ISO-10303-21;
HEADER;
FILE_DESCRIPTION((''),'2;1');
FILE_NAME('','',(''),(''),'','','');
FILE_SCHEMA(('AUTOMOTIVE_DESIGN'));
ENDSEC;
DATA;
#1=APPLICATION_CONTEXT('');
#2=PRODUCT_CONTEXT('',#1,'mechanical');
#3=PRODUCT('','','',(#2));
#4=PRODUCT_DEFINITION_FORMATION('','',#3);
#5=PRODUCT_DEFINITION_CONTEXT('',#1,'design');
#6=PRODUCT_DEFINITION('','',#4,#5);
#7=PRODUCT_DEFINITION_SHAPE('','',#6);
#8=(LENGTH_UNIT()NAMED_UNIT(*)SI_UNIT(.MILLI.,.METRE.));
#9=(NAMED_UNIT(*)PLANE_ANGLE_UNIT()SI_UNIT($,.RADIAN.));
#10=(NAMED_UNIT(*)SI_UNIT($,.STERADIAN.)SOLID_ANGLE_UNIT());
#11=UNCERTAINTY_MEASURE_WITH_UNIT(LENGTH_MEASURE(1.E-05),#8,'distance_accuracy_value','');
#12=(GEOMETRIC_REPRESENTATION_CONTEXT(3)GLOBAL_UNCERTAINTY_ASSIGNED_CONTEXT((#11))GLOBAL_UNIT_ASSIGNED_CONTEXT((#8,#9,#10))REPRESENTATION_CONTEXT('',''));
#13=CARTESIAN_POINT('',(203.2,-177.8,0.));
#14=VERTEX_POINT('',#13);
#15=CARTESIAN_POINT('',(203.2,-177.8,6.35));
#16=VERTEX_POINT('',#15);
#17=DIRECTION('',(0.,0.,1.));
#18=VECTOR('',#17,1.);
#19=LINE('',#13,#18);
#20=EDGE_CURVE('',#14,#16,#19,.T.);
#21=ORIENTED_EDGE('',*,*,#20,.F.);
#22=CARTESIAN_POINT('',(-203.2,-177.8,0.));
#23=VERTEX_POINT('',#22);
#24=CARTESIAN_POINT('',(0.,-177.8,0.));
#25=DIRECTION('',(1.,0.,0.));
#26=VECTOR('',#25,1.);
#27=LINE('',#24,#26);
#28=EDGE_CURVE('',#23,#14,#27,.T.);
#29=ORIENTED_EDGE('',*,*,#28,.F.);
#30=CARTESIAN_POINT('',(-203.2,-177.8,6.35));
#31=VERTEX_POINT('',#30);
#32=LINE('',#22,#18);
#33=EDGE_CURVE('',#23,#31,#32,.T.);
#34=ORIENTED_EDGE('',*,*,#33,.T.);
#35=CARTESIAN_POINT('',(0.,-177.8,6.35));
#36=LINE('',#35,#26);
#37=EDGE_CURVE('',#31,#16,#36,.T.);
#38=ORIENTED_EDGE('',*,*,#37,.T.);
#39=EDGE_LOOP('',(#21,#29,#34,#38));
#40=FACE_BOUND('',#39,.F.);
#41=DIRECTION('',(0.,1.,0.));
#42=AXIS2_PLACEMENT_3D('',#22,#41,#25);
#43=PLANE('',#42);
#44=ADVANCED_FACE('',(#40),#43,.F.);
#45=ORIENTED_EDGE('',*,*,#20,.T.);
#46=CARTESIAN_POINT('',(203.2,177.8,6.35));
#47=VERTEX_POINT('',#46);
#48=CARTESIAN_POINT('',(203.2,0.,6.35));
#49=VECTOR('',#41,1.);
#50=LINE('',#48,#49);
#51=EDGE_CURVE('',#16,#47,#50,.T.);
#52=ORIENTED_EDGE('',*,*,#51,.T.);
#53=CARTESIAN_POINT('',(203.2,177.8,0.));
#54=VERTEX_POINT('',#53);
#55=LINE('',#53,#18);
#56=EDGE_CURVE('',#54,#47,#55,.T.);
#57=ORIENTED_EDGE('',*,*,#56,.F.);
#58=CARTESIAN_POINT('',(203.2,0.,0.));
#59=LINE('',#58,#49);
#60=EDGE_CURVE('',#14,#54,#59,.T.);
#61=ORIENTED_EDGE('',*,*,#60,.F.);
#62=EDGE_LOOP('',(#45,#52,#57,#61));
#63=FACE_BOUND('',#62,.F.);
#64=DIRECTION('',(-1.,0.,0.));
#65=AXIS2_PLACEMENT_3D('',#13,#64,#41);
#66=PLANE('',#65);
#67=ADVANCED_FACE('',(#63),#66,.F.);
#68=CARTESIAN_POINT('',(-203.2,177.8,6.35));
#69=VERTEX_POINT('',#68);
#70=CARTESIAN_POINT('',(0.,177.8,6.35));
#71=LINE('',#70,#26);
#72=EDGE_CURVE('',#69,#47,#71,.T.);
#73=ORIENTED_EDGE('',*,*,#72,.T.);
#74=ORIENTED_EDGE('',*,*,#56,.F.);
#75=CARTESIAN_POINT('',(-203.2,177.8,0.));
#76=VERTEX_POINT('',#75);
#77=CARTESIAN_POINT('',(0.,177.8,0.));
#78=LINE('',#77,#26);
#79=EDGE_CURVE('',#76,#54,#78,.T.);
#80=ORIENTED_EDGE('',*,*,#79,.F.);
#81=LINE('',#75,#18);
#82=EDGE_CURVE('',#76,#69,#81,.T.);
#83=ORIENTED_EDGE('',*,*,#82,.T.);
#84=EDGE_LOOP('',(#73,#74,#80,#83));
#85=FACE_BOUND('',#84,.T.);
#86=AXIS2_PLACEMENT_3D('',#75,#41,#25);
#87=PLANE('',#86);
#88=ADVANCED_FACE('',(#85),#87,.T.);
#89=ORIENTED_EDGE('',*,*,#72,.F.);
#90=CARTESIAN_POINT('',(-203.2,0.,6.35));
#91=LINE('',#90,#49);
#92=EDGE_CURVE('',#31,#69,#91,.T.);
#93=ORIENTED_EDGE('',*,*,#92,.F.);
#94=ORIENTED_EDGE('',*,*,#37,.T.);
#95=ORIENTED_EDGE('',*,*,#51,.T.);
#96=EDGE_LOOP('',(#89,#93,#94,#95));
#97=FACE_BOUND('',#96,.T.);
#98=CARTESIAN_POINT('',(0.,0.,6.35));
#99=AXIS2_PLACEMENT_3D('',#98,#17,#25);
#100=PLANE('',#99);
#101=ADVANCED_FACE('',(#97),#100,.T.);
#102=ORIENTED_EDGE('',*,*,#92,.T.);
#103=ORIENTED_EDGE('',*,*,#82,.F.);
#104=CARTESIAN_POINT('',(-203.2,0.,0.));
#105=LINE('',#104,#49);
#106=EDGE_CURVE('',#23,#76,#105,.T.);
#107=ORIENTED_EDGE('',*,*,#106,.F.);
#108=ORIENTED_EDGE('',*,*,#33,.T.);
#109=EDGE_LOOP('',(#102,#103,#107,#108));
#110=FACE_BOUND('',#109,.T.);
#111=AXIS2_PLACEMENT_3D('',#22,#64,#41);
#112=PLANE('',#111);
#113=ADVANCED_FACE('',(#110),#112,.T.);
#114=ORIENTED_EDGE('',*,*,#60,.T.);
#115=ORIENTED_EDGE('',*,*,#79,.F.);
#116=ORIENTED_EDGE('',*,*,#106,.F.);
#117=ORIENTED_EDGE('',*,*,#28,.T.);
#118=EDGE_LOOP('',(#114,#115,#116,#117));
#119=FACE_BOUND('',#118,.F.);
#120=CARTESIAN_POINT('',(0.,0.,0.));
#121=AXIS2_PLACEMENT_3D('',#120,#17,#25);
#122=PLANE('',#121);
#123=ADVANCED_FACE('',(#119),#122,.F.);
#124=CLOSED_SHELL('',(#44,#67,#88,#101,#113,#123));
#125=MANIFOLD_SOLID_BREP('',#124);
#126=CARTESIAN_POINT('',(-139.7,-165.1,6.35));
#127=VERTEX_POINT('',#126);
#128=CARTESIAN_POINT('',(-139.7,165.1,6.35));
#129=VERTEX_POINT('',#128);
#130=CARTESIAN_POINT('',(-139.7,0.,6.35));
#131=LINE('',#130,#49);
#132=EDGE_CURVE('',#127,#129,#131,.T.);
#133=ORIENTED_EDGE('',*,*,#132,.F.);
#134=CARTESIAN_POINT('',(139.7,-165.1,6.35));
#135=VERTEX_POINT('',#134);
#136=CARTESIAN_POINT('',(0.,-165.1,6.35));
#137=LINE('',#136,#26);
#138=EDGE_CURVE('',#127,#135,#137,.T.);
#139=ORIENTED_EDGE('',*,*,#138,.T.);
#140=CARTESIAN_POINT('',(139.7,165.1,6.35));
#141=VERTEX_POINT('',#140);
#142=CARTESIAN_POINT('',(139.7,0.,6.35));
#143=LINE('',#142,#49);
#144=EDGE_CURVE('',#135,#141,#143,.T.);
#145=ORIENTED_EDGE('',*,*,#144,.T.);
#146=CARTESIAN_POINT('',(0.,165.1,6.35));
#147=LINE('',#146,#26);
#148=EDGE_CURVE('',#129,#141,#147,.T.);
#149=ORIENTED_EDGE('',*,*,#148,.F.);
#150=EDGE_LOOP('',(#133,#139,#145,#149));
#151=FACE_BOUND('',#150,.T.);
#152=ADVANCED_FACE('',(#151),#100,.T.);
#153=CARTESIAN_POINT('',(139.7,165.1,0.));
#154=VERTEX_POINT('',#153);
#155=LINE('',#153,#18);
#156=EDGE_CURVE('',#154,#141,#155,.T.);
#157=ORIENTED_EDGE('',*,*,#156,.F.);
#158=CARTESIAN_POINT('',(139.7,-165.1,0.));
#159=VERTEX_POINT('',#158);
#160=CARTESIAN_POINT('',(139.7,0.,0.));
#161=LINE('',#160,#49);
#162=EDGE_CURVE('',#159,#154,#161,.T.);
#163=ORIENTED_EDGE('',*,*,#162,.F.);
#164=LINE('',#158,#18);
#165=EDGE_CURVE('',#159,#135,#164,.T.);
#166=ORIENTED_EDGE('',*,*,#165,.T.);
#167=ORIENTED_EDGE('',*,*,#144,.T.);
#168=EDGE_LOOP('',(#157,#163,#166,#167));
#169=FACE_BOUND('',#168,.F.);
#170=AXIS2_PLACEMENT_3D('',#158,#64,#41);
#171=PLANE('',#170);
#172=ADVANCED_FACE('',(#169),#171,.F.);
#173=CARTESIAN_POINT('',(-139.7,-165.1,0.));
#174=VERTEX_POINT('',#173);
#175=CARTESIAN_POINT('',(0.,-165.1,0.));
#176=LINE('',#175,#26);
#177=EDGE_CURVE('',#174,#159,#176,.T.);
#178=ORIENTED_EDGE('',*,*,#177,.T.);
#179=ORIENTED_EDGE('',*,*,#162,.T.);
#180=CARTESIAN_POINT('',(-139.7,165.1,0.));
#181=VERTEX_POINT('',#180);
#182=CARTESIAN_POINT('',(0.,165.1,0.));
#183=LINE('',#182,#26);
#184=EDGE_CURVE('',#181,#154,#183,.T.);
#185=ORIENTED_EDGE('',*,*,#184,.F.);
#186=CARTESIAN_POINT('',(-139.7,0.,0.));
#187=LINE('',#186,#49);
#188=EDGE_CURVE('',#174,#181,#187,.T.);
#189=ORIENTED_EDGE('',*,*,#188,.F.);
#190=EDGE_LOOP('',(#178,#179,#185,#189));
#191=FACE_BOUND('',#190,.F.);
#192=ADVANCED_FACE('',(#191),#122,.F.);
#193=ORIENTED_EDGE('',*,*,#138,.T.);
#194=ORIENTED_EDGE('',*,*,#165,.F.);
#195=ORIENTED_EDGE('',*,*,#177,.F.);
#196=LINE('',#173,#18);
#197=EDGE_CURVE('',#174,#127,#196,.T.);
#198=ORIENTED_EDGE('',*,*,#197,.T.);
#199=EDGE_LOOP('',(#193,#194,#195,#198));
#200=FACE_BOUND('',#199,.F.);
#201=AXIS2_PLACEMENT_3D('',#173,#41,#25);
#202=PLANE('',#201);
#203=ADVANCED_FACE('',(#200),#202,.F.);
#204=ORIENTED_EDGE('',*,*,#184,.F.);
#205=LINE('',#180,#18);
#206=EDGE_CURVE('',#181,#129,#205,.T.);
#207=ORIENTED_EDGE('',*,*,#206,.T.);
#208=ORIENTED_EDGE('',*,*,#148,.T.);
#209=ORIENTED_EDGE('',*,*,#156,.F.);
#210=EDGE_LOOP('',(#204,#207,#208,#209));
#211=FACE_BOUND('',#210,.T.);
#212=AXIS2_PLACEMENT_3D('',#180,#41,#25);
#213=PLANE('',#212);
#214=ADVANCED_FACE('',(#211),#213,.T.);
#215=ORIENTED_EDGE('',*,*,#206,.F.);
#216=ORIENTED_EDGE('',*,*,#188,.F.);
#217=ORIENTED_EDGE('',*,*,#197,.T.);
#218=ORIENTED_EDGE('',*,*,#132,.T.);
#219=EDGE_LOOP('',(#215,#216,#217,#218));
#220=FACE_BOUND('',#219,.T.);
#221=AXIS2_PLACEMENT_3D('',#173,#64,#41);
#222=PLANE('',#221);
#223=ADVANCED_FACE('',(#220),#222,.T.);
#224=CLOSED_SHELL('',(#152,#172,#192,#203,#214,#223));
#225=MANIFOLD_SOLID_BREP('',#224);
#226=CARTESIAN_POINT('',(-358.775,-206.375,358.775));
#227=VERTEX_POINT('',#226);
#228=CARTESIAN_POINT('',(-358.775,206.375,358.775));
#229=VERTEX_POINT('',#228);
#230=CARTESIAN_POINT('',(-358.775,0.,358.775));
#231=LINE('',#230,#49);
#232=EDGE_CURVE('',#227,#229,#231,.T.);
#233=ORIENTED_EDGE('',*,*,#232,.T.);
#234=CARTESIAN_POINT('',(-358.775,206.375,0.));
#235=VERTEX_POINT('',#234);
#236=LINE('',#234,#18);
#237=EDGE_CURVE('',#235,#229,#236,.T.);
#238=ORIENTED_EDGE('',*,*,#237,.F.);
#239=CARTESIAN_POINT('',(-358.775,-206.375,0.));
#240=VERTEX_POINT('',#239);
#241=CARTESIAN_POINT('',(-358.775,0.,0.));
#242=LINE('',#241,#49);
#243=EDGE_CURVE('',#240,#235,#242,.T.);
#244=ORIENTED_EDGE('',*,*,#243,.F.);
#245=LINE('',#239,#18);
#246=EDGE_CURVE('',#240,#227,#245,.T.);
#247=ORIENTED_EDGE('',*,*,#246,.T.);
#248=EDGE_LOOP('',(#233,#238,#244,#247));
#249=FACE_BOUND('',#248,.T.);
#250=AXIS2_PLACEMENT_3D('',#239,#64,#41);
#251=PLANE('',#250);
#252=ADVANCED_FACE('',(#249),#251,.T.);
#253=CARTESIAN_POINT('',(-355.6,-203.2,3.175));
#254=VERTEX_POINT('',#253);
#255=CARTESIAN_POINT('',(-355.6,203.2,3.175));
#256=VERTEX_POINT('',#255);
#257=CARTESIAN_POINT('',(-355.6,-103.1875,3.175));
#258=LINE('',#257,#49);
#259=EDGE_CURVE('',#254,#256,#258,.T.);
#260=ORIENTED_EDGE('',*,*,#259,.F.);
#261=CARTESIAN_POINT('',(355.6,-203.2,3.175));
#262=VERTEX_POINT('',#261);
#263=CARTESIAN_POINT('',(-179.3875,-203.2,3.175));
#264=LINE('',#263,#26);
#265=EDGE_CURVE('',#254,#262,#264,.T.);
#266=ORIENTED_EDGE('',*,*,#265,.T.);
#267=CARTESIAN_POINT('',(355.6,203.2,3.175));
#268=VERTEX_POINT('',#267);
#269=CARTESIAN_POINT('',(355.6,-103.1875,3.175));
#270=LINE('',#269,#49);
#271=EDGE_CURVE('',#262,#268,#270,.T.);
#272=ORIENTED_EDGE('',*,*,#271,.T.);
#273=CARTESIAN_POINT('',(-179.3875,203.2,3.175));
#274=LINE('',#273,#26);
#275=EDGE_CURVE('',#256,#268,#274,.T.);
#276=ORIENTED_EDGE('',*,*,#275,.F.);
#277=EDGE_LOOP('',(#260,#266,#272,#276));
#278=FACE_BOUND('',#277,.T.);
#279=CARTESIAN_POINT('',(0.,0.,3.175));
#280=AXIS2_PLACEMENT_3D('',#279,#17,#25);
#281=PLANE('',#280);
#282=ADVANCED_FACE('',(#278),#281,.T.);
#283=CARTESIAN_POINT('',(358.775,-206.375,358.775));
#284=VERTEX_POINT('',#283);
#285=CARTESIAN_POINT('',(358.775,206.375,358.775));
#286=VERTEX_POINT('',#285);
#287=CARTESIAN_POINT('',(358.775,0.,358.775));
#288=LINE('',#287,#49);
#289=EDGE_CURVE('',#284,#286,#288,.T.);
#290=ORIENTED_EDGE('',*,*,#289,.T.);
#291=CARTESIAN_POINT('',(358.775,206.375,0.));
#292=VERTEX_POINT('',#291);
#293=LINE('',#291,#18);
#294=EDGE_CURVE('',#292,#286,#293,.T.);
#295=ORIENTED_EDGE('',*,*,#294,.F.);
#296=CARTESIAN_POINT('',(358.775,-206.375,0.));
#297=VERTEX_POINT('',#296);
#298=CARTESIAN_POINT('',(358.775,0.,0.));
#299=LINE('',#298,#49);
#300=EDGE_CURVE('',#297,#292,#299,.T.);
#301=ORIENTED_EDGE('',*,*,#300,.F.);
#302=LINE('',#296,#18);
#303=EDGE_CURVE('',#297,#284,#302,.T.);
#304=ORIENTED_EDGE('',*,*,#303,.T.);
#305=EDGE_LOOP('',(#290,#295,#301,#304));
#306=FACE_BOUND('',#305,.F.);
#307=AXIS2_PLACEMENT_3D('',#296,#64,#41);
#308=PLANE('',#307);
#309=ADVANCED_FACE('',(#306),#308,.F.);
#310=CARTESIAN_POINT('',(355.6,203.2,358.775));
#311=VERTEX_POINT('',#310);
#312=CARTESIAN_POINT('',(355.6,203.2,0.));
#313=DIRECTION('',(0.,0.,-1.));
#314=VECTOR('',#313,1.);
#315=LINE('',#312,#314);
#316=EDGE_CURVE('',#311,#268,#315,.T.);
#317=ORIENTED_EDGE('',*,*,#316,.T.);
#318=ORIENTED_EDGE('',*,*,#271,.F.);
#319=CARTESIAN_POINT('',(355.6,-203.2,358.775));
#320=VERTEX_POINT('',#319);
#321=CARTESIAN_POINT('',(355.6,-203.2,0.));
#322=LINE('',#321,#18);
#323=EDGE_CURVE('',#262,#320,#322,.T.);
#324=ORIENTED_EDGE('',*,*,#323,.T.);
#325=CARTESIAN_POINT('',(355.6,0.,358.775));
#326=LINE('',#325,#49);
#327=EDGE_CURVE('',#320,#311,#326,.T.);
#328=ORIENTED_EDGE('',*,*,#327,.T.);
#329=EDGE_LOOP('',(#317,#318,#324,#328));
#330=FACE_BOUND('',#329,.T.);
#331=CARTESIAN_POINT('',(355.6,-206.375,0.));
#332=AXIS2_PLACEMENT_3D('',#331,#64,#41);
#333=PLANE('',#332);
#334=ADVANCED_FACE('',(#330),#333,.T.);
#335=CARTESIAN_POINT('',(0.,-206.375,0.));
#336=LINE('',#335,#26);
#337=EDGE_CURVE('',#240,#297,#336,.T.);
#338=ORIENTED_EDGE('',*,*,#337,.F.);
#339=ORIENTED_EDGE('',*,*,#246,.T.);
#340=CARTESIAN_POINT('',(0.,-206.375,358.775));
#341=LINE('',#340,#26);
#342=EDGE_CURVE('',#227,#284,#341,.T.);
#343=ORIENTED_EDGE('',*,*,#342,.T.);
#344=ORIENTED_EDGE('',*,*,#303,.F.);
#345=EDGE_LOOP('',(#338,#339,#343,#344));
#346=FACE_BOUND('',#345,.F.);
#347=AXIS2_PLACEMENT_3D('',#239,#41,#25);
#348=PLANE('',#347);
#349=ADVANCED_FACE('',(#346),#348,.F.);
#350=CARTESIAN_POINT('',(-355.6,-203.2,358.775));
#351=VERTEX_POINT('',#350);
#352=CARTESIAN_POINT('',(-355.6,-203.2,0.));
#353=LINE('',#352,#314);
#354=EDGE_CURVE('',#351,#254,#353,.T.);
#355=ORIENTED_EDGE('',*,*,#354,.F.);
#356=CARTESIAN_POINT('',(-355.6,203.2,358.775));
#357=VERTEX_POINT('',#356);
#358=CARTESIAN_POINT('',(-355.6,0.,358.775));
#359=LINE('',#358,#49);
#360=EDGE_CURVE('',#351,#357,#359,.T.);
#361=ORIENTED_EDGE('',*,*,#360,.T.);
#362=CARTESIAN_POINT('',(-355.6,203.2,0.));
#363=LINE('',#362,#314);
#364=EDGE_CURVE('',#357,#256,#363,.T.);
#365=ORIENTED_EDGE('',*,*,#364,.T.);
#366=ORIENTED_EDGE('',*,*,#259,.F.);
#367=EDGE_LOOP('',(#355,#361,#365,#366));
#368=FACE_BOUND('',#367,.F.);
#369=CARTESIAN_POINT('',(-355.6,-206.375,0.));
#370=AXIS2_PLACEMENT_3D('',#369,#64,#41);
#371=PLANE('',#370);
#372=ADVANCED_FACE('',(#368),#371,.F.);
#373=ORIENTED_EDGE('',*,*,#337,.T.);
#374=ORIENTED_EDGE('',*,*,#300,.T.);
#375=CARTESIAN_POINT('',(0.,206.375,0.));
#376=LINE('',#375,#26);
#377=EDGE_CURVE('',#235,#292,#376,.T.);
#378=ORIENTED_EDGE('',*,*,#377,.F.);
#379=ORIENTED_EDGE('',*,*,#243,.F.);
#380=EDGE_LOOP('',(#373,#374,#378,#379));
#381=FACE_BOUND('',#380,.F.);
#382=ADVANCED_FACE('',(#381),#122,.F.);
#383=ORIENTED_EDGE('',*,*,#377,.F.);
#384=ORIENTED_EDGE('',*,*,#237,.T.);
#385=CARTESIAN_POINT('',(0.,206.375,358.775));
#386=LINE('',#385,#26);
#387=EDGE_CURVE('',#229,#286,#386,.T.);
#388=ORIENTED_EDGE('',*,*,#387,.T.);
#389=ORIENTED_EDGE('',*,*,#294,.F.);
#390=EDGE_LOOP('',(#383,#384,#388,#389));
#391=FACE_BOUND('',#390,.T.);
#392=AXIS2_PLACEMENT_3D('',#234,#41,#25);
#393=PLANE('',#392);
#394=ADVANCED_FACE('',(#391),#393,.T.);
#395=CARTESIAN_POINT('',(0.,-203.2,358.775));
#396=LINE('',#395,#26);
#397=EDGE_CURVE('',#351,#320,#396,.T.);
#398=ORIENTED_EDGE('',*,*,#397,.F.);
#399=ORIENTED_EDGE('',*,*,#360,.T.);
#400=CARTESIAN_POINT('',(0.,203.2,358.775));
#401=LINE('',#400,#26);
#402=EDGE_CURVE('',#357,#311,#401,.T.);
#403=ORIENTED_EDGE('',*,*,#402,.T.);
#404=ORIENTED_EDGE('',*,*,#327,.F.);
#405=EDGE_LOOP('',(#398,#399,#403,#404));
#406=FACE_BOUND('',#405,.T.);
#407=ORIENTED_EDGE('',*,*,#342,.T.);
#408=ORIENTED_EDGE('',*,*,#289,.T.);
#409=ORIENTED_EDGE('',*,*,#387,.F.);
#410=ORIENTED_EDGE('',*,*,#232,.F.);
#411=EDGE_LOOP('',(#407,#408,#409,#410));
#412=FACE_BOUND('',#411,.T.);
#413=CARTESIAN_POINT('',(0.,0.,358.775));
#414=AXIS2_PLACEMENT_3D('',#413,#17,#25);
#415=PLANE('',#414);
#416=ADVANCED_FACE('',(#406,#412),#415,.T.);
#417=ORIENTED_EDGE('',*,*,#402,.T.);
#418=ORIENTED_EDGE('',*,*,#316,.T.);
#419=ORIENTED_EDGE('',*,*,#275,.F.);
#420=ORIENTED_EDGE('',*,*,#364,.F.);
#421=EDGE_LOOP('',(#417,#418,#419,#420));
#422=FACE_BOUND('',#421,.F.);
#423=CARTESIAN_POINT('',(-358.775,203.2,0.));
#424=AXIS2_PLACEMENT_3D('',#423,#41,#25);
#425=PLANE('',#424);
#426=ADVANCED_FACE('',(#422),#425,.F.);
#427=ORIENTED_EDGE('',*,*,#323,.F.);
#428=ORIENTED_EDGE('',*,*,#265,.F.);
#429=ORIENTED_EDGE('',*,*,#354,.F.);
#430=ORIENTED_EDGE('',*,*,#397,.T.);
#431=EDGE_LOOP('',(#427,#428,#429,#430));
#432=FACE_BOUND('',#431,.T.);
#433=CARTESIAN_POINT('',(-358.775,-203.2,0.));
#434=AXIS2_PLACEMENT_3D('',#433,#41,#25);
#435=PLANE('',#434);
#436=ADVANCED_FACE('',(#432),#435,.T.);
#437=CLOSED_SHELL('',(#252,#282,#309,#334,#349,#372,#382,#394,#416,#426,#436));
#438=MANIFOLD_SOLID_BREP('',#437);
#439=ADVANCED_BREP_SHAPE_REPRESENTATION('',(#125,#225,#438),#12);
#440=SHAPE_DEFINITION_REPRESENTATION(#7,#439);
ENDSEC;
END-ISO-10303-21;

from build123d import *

# Parameters (mm, degrees)
F0_W     = 717.55
F0_H     = 412.75
F1_DEPTH = 358.775
F2_T     = -3.175
F3_W     = 406.4
F3_H     = 355.6
F4_DEPTH = 6.35
F5_W     = 279.4
F5_H     = 330.2
F6_DEPTH = 6.35


with BuildPart() as f1:
    # F0 (on Top) → F1 (new body)
    with BuildSketch(Plane.XY):
        Rectangle(F0_W, F0_H)
    extrude(amount=F1_DEPTH)

    # F2
    f2_openings = [f1.faces().sort_by_distance(p)[0] for p in [
        (0, 0, 358.775),
    ]]
    offset(amount=F2_T, openings=f2_openings)


with BuildPart() as f4:
    # F3 (on Top) → F4 (new body)
    with BuildSketch(Plane.XY):
        Rectangle(F3_W, F3_H)
    extrude(amount=F4_DEPTH)


with BuildPart() as f6:
    # F5 (on Top) → F6 (new body)
    with BuildSketch(Plane.XY):
        Rectangle(F5_W, F5_H)
    extrude(amount=F6_DEPTH)


solid = Compound([f1.part, f4.part, f6.part])
